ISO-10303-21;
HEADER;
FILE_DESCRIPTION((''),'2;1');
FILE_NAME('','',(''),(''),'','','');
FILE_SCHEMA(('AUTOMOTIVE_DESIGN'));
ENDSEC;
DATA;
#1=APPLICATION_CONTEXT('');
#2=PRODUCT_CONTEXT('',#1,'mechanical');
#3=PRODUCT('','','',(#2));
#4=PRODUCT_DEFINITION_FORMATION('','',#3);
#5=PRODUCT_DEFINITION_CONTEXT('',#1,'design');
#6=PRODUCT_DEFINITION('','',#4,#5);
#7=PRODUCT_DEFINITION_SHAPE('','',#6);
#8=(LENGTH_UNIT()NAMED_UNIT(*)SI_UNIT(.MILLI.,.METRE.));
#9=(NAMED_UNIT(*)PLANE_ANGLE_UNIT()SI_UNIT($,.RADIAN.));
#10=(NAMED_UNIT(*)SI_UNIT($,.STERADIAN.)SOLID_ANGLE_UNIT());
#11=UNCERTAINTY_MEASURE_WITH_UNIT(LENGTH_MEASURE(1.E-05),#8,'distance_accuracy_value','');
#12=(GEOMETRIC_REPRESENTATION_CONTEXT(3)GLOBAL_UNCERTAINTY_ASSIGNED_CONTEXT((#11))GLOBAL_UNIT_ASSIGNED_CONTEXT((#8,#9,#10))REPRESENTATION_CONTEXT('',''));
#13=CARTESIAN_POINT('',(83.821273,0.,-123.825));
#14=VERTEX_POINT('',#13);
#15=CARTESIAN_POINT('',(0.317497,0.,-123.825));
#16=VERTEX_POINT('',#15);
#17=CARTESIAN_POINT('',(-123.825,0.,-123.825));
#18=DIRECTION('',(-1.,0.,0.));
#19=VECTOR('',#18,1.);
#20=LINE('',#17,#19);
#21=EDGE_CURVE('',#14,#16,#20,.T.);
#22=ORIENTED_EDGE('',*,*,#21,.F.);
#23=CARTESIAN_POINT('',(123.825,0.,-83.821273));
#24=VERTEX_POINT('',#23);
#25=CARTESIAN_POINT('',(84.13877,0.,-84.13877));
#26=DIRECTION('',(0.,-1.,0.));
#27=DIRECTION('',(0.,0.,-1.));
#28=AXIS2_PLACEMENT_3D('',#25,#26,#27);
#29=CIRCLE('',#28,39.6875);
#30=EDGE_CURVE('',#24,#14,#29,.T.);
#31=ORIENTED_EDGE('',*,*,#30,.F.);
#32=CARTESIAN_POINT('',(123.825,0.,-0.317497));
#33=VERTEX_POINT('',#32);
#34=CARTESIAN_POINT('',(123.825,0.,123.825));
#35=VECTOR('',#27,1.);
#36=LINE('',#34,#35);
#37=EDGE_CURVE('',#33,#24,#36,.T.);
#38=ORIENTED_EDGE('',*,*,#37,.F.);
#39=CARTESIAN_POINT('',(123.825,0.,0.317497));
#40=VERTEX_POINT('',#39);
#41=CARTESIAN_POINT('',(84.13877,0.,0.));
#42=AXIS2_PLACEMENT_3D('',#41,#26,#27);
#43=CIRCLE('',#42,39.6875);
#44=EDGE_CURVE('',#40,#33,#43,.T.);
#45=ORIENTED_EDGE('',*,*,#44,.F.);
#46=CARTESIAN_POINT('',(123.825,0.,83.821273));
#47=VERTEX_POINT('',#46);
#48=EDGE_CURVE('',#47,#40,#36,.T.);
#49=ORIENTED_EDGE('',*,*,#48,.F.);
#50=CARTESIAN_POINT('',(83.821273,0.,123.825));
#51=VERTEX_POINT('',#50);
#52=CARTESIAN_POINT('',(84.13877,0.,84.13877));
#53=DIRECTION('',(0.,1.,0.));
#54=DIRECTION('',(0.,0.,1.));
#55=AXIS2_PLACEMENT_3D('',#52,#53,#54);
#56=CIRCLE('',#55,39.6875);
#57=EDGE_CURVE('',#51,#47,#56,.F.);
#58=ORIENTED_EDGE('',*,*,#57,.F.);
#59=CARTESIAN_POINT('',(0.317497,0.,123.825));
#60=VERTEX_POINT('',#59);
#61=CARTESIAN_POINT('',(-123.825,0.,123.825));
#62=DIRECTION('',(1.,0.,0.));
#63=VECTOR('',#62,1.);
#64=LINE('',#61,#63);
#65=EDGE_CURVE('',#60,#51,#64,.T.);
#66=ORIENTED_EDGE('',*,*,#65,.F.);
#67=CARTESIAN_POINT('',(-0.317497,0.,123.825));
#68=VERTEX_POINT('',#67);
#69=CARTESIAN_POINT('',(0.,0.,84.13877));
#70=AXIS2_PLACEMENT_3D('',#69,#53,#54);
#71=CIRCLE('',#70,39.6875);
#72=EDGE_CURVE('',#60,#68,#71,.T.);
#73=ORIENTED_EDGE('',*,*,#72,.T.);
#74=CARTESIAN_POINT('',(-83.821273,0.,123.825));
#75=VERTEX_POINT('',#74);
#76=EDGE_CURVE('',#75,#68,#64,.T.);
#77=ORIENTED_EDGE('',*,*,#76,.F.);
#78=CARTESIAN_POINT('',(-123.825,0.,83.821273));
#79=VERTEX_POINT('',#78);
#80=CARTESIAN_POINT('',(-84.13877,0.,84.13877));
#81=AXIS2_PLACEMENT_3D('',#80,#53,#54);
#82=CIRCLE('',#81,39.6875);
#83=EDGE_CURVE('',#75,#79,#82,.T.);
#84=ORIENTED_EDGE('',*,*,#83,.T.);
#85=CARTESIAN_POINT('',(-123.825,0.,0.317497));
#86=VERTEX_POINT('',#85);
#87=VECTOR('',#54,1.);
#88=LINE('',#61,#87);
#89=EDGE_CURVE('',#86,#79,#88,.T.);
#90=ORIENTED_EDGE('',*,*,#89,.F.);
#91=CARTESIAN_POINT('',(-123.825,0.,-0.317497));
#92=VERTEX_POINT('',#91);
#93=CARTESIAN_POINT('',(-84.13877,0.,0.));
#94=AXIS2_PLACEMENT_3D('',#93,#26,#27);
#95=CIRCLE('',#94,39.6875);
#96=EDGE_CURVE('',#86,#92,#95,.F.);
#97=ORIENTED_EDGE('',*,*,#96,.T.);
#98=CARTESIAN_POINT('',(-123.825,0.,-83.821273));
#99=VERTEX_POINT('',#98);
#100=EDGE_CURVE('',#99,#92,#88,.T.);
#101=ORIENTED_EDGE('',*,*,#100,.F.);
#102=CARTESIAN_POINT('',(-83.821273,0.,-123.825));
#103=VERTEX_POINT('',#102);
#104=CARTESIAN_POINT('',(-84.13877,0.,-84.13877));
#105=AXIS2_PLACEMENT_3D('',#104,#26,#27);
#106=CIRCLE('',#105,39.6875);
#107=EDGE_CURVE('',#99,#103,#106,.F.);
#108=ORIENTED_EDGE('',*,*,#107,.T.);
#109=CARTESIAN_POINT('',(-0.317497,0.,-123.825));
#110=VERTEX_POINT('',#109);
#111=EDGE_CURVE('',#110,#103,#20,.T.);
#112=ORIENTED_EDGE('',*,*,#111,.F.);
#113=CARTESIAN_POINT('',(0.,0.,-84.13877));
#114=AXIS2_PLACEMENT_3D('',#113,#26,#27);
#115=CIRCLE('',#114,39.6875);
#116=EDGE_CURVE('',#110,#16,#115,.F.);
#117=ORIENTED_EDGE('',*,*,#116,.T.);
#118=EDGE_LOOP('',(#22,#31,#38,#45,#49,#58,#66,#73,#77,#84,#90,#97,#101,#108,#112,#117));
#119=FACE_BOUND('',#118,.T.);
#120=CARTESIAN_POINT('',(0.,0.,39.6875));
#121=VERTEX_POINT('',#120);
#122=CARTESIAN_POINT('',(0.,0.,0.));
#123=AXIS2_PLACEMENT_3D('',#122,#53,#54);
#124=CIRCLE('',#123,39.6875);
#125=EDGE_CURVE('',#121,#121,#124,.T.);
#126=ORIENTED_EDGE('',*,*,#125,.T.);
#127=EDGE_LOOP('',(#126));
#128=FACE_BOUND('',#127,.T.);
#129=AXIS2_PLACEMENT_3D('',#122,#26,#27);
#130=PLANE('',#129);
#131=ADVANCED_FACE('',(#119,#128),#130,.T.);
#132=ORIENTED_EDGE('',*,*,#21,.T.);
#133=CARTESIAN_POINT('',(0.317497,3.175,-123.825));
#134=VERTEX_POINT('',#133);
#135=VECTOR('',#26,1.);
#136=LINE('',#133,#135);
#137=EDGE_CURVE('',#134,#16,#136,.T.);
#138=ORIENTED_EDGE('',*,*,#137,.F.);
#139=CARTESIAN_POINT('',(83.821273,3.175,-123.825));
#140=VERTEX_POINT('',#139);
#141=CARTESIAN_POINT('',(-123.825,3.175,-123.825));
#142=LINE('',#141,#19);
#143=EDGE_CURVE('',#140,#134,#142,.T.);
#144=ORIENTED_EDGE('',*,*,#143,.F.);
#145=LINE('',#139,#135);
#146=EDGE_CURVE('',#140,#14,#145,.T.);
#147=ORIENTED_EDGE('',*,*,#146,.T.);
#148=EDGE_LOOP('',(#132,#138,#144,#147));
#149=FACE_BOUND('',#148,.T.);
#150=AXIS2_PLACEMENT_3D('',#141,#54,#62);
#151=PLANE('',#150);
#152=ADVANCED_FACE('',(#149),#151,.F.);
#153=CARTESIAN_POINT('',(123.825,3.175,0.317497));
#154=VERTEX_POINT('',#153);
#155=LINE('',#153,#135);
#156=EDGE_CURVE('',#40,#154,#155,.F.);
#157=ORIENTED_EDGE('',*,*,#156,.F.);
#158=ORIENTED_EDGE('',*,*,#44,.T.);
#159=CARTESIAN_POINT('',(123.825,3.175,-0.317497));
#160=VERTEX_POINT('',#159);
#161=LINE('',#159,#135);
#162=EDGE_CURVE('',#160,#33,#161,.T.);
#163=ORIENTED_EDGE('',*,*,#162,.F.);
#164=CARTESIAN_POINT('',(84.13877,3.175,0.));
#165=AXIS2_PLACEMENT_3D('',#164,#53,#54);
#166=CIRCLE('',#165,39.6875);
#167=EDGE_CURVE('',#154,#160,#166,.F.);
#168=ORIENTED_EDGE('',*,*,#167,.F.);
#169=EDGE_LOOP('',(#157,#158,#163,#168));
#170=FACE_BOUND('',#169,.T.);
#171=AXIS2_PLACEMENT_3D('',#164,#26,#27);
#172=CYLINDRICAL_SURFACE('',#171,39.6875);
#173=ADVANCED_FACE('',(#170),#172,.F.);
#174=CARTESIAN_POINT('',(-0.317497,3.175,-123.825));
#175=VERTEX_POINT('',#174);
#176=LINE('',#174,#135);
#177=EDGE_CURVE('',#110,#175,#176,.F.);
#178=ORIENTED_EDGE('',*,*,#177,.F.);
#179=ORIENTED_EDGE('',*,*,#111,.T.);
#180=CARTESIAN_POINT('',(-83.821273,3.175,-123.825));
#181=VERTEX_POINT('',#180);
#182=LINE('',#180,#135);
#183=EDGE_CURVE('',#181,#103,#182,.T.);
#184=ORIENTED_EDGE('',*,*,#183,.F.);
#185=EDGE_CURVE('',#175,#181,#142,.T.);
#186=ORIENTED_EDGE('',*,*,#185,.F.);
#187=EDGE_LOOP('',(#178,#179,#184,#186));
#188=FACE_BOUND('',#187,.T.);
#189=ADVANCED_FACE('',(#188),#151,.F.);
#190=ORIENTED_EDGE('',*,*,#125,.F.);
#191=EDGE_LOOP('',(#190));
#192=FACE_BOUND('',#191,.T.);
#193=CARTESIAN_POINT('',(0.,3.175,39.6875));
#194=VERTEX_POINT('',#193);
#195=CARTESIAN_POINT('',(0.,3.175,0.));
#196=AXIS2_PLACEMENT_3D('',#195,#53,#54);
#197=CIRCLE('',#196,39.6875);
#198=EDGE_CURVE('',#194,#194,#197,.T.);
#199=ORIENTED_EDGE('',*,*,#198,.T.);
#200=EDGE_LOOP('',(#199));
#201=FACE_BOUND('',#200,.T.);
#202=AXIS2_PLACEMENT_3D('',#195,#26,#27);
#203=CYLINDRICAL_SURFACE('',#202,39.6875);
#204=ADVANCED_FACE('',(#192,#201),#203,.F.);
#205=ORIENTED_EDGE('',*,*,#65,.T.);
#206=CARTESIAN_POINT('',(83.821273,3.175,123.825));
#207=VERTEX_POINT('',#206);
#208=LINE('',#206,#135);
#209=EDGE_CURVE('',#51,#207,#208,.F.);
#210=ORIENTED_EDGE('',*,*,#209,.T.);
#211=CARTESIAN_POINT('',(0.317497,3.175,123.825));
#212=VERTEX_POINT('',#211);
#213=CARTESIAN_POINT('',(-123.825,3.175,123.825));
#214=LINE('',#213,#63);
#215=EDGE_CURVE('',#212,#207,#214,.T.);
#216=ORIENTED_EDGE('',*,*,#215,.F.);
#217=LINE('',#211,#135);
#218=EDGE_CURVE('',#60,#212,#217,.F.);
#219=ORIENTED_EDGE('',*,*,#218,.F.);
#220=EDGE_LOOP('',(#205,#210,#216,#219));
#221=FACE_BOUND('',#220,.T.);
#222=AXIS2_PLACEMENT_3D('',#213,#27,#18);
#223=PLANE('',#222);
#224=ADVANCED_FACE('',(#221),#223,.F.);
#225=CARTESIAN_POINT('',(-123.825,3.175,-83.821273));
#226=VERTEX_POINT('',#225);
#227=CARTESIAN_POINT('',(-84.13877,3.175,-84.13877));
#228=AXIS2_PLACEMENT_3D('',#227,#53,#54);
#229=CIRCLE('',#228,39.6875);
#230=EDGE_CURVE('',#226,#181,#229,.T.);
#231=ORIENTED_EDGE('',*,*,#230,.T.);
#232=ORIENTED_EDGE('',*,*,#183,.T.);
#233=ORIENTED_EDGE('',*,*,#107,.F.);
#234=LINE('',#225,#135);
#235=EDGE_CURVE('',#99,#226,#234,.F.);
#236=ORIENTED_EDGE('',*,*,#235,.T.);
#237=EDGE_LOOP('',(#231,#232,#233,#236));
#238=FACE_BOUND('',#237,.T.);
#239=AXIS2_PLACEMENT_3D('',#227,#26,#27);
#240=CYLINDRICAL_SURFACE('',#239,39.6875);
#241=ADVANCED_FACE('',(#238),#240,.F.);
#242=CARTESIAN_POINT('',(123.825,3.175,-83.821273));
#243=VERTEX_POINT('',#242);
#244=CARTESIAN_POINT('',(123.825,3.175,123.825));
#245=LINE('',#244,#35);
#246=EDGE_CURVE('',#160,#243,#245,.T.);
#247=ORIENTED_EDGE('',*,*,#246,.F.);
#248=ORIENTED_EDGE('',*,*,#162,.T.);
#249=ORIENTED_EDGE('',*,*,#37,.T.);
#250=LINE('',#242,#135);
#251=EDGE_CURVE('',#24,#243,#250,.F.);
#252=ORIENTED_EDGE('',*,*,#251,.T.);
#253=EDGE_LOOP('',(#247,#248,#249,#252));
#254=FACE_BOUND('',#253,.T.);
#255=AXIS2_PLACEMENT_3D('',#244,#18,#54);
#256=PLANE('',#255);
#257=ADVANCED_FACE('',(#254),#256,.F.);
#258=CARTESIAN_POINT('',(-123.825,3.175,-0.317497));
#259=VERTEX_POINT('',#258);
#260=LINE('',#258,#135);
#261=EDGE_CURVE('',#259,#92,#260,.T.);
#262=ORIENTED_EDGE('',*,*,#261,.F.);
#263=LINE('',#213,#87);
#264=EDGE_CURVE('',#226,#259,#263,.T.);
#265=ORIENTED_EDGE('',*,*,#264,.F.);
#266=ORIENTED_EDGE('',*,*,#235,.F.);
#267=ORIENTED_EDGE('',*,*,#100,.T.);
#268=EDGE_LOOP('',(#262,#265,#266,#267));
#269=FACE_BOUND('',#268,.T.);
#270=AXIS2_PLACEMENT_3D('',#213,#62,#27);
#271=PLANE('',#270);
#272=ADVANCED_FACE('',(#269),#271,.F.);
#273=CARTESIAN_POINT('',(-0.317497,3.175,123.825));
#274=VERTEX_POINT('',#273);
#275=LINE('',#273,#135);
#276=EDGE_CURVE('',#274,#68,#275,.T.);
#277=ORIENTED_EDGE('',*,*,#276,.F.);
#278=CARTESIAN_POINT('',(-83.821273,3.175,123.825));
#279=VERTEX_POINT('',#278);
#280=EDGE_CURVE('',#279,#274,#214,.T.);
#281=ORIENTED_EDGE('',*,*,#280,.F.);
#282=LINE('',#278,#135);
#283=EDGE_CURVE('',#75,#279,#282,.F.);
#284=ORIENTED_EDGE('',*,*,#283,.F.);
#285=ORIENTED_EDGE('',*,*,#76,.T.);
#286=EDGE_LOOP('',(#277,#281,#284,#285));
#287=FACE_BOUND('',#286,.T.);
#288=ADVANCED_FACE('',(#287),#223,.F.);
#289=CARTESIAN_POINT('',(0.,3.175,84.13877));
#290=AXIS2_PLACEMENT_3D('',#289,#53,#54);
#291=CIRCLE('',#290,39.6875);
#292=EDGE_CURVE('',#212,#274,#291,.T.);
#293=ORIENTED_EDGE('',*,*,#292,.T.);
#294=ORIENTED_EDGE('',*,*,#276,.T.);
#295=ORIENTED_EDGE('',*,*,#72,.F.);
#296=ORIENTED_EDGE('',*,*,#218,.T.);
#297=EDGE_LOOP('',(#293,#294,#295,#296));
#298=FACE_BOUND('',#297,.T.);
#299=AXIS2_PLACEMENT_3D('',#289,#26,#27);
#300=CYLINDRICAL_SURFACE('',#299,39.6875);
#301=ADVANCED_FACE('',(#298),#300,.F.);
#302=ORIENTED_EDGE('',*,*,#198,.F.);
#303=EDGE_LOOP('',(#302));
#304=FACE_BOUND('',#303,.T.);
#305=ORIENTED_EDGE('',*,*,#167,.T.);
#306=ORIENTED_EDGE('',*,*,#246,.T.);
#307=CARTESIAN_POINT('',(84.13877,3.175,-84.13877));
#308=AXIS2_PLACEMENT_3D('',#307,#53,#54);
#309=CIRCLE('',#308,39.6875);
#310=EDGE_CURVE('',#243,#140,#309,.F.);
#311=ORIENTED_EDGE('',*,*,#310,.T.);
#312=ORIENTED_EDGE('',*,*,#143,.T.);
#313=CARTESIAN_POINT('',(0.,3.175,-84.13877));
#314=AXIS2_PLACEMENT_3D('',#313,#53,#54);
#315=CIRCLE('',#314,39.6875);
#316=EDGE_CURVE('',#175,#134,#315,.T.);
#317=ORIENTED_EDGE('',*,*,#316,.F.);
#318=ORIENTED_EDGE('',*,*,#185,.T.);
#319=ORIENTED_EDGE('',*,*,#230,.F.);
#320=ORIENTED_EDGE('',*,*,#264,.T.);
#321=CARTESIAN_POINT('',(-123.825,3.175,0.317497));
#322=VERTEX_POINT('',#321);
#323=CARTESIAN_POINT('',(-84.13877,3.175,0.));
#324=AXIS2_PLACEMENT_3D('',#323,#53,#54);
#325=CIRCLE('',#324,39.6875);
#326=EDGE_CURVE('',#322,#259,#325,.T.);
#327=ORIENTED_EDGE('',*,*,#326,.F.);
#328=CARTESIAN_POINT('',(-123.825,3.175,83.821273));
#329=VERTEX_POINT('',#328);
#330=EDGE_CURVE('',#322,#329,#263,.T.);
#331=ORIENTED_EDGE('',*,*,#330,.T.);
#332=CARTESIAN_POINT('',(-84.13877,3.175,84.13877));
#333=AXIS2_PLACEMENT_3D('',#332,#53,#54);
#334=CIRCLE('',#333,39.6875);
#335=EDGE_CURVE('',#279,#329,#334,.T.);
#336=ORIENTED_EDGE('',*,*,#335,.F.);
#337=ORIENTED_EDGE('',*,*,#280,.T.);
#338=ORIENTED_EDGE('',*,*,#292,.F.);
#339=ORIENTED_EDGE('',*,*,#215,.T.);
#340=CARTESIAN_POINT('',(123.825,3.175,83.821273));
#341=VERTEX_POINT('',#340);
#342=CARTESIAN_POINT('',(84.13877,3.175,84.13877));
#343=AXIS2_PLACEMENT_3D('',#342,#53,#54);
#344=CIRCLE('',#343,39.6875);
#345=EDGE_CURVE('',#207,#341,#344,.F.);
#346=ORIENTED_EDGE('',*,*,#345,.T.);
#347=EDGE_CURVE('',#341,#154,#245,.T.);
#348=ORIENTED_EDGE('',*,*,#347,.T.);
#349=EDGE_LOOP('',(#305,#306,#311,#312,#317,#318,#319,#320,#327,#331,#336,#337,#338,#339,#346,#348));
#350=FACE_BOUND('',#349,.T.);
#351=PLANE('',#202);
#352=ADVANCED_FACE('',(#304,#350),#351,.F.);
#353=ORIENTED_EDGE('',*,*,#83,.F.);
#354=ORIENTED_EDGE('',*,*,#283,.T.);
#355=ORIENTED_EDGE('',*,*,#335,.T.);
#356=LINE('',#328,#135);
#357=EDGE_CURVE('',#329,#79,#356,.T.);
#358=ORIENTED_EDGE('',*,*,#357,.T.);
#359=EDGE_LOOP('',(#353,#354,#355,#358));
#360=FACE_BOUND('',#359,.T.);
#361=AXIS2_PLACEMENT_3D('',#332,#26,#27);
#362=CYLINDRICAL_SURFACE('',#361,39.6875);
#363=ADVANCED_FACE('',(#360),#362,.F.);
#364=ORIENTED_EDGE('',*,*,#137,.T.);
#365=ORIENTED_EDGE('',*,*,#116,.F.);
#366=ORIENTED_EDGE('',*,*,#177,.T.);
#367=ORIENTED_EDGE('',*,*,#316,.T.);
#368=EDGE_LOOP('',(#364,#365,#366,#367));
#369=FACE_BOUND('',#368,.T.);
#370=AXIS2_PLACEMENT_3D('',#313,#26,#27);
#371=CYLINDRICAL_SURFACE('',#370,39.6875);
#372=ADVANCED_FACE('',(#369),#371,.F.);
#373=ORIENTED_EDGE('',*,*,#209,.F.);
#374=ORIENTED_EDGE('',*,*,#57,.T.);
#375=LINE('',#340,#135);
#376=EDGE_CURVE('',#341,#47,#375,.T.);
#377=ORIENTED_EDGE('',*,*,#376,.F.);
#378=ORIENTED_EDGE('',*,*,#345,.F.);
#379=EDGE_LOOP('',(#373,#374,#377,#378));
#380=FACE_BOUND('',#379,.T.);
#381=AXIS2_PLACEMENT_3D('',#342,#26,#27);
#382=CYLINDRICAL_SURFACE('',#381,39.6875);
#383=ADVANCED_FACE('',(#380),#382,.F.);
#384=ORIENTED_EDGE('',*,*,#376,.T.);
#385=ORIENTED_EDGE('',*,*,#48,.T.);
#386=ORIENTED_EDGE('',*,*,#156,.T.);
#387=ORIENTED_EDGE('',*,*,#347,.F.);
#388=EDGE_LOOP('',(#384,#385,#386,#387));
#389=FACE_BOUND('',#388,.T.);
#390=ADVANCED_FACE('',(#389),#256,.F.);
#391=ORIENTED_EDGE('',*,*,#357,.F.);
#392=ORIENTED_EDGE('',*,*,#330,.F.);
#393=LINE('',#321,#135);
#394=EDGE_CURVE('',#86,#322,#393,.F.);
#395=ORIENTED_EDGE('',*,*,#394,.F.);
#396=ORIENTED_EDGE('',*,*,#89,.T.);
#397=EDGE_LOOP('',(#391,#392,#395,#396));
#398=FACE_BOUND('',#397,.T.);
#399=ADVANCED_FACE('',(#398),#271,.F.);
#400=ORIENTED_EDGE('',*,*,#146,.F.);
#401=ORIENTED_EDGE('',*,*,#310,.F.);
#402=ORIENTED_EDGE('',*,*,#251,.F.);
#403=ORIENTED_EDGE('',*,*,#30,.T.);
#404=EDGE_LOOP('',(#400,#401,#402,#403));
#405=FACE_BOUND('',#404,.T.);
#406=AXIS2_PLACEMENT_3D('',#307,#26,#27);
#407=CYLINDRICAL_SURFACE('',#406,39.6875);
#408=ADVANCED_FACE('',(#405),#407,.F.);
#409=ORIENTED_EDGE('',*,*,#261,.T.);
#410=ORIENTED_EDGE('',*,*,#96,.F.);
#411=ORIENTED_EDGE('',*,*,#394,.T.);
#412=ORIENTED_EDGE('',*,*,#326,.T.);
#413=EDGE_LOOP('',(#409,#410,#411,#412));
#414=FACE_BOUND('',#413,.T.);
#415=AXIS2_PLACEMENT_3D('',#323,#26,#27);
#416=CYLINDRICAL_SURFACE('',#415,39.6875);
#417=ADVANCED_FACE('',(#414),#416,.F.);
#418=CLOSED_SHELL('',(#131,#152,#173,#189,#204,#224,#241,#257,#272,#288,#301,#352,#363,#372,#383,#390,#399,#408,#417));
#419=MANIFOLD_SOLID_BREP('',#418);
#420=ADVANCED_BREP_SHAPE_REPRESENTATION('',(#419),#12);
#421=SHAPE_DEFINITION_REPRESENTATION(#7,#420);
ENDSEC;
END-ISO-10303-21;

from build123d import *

# Parameters (mm, degrees)
SKETCH3_W           = 247.65
SKETCH3_H           = 247.65
BOSS_EXTRUDE5_DEPTH = 3.175
SKETCH1_R           = 39.6875
CUT_EXTRUDE3_DEPTH  = 4.175


with BuildPart() as part:
    # Sketch3 → Boss-Extrude5 (new body)
    with BuildSketch(Plane(origin=(0, 0, 0), x_dir=(1, 0, 0), z_dir=(0, 1, 0))):
        Rectangle(SKETCH3_W, SKETCH3_H)
    extrude(amount=BOSS_EXTRUDE5_DEPTH)

    # Sketch1 → Cut-Extrude3 (cut, through all)
    with BuildSketch(Plane(origin=(0, 0, 0), x_dir=(1, 0, 0), z_dir=(0, 1, 0))):
        with BuildLine():
            Line((-123.82627, -84.13877), (-123.82627, -123.82627))
            Line((-123.82627, -123.82627), (-84.13877, -123.82627))
            ThreePointArc((-84.13877, -123.82627), (-56.075469622, -56.075469622), (-123.82627, -84.13877))
        make_face()
        with Locations((0, -84.13877)):
            Circle(SKETCH1_R)
        with Locations((84.13877, 0)):
            Circle(SKETCH1_R)
        with Locations((0, 84.13877)):
            Circle(SKETCH1_R)
        with Locations((-84.13877, 0)):
            Circle(SKETCH1_R)
        with BuildLine():
            Line((123.82627, -123.82627), (123.82627, -84.13877))
            ThreePointArc((123.82627, -84.13877), (56.075469622, -56.075469622), (84.13877, -123.82627))
            Line((84.13877, -123.82627), (123.82627, -123.82627))
        make_face()
        with BuildLine():
            Line((-123.82627, 123.82627), (-123.82627, 84.13877))
            ThreePointArc((-123.82627, 84.13877), (-56.075469622, 56.075469622), (-84.13877, 123.82627))
            Line((-84.13877, 123.82627), (-123.82627, 123.82627))
        make_face()
        with BuildLine():
            Line((123.82627, 123.82627), (84.13877, 123.82627))
            ThreePointArc((84.13877, 123.82627), (56.075469622, 56.075469622), (123.82627, 84.13877))
            Line((123.82627, 84.13877), (123.82627, 123.82627))
        make_face()
        Circle(SKETCH1_R)
    extrude(amount=CUT_EXTRUDE3_DEPTH, mode=Mode.SUBTRACT)


solid = part.part
